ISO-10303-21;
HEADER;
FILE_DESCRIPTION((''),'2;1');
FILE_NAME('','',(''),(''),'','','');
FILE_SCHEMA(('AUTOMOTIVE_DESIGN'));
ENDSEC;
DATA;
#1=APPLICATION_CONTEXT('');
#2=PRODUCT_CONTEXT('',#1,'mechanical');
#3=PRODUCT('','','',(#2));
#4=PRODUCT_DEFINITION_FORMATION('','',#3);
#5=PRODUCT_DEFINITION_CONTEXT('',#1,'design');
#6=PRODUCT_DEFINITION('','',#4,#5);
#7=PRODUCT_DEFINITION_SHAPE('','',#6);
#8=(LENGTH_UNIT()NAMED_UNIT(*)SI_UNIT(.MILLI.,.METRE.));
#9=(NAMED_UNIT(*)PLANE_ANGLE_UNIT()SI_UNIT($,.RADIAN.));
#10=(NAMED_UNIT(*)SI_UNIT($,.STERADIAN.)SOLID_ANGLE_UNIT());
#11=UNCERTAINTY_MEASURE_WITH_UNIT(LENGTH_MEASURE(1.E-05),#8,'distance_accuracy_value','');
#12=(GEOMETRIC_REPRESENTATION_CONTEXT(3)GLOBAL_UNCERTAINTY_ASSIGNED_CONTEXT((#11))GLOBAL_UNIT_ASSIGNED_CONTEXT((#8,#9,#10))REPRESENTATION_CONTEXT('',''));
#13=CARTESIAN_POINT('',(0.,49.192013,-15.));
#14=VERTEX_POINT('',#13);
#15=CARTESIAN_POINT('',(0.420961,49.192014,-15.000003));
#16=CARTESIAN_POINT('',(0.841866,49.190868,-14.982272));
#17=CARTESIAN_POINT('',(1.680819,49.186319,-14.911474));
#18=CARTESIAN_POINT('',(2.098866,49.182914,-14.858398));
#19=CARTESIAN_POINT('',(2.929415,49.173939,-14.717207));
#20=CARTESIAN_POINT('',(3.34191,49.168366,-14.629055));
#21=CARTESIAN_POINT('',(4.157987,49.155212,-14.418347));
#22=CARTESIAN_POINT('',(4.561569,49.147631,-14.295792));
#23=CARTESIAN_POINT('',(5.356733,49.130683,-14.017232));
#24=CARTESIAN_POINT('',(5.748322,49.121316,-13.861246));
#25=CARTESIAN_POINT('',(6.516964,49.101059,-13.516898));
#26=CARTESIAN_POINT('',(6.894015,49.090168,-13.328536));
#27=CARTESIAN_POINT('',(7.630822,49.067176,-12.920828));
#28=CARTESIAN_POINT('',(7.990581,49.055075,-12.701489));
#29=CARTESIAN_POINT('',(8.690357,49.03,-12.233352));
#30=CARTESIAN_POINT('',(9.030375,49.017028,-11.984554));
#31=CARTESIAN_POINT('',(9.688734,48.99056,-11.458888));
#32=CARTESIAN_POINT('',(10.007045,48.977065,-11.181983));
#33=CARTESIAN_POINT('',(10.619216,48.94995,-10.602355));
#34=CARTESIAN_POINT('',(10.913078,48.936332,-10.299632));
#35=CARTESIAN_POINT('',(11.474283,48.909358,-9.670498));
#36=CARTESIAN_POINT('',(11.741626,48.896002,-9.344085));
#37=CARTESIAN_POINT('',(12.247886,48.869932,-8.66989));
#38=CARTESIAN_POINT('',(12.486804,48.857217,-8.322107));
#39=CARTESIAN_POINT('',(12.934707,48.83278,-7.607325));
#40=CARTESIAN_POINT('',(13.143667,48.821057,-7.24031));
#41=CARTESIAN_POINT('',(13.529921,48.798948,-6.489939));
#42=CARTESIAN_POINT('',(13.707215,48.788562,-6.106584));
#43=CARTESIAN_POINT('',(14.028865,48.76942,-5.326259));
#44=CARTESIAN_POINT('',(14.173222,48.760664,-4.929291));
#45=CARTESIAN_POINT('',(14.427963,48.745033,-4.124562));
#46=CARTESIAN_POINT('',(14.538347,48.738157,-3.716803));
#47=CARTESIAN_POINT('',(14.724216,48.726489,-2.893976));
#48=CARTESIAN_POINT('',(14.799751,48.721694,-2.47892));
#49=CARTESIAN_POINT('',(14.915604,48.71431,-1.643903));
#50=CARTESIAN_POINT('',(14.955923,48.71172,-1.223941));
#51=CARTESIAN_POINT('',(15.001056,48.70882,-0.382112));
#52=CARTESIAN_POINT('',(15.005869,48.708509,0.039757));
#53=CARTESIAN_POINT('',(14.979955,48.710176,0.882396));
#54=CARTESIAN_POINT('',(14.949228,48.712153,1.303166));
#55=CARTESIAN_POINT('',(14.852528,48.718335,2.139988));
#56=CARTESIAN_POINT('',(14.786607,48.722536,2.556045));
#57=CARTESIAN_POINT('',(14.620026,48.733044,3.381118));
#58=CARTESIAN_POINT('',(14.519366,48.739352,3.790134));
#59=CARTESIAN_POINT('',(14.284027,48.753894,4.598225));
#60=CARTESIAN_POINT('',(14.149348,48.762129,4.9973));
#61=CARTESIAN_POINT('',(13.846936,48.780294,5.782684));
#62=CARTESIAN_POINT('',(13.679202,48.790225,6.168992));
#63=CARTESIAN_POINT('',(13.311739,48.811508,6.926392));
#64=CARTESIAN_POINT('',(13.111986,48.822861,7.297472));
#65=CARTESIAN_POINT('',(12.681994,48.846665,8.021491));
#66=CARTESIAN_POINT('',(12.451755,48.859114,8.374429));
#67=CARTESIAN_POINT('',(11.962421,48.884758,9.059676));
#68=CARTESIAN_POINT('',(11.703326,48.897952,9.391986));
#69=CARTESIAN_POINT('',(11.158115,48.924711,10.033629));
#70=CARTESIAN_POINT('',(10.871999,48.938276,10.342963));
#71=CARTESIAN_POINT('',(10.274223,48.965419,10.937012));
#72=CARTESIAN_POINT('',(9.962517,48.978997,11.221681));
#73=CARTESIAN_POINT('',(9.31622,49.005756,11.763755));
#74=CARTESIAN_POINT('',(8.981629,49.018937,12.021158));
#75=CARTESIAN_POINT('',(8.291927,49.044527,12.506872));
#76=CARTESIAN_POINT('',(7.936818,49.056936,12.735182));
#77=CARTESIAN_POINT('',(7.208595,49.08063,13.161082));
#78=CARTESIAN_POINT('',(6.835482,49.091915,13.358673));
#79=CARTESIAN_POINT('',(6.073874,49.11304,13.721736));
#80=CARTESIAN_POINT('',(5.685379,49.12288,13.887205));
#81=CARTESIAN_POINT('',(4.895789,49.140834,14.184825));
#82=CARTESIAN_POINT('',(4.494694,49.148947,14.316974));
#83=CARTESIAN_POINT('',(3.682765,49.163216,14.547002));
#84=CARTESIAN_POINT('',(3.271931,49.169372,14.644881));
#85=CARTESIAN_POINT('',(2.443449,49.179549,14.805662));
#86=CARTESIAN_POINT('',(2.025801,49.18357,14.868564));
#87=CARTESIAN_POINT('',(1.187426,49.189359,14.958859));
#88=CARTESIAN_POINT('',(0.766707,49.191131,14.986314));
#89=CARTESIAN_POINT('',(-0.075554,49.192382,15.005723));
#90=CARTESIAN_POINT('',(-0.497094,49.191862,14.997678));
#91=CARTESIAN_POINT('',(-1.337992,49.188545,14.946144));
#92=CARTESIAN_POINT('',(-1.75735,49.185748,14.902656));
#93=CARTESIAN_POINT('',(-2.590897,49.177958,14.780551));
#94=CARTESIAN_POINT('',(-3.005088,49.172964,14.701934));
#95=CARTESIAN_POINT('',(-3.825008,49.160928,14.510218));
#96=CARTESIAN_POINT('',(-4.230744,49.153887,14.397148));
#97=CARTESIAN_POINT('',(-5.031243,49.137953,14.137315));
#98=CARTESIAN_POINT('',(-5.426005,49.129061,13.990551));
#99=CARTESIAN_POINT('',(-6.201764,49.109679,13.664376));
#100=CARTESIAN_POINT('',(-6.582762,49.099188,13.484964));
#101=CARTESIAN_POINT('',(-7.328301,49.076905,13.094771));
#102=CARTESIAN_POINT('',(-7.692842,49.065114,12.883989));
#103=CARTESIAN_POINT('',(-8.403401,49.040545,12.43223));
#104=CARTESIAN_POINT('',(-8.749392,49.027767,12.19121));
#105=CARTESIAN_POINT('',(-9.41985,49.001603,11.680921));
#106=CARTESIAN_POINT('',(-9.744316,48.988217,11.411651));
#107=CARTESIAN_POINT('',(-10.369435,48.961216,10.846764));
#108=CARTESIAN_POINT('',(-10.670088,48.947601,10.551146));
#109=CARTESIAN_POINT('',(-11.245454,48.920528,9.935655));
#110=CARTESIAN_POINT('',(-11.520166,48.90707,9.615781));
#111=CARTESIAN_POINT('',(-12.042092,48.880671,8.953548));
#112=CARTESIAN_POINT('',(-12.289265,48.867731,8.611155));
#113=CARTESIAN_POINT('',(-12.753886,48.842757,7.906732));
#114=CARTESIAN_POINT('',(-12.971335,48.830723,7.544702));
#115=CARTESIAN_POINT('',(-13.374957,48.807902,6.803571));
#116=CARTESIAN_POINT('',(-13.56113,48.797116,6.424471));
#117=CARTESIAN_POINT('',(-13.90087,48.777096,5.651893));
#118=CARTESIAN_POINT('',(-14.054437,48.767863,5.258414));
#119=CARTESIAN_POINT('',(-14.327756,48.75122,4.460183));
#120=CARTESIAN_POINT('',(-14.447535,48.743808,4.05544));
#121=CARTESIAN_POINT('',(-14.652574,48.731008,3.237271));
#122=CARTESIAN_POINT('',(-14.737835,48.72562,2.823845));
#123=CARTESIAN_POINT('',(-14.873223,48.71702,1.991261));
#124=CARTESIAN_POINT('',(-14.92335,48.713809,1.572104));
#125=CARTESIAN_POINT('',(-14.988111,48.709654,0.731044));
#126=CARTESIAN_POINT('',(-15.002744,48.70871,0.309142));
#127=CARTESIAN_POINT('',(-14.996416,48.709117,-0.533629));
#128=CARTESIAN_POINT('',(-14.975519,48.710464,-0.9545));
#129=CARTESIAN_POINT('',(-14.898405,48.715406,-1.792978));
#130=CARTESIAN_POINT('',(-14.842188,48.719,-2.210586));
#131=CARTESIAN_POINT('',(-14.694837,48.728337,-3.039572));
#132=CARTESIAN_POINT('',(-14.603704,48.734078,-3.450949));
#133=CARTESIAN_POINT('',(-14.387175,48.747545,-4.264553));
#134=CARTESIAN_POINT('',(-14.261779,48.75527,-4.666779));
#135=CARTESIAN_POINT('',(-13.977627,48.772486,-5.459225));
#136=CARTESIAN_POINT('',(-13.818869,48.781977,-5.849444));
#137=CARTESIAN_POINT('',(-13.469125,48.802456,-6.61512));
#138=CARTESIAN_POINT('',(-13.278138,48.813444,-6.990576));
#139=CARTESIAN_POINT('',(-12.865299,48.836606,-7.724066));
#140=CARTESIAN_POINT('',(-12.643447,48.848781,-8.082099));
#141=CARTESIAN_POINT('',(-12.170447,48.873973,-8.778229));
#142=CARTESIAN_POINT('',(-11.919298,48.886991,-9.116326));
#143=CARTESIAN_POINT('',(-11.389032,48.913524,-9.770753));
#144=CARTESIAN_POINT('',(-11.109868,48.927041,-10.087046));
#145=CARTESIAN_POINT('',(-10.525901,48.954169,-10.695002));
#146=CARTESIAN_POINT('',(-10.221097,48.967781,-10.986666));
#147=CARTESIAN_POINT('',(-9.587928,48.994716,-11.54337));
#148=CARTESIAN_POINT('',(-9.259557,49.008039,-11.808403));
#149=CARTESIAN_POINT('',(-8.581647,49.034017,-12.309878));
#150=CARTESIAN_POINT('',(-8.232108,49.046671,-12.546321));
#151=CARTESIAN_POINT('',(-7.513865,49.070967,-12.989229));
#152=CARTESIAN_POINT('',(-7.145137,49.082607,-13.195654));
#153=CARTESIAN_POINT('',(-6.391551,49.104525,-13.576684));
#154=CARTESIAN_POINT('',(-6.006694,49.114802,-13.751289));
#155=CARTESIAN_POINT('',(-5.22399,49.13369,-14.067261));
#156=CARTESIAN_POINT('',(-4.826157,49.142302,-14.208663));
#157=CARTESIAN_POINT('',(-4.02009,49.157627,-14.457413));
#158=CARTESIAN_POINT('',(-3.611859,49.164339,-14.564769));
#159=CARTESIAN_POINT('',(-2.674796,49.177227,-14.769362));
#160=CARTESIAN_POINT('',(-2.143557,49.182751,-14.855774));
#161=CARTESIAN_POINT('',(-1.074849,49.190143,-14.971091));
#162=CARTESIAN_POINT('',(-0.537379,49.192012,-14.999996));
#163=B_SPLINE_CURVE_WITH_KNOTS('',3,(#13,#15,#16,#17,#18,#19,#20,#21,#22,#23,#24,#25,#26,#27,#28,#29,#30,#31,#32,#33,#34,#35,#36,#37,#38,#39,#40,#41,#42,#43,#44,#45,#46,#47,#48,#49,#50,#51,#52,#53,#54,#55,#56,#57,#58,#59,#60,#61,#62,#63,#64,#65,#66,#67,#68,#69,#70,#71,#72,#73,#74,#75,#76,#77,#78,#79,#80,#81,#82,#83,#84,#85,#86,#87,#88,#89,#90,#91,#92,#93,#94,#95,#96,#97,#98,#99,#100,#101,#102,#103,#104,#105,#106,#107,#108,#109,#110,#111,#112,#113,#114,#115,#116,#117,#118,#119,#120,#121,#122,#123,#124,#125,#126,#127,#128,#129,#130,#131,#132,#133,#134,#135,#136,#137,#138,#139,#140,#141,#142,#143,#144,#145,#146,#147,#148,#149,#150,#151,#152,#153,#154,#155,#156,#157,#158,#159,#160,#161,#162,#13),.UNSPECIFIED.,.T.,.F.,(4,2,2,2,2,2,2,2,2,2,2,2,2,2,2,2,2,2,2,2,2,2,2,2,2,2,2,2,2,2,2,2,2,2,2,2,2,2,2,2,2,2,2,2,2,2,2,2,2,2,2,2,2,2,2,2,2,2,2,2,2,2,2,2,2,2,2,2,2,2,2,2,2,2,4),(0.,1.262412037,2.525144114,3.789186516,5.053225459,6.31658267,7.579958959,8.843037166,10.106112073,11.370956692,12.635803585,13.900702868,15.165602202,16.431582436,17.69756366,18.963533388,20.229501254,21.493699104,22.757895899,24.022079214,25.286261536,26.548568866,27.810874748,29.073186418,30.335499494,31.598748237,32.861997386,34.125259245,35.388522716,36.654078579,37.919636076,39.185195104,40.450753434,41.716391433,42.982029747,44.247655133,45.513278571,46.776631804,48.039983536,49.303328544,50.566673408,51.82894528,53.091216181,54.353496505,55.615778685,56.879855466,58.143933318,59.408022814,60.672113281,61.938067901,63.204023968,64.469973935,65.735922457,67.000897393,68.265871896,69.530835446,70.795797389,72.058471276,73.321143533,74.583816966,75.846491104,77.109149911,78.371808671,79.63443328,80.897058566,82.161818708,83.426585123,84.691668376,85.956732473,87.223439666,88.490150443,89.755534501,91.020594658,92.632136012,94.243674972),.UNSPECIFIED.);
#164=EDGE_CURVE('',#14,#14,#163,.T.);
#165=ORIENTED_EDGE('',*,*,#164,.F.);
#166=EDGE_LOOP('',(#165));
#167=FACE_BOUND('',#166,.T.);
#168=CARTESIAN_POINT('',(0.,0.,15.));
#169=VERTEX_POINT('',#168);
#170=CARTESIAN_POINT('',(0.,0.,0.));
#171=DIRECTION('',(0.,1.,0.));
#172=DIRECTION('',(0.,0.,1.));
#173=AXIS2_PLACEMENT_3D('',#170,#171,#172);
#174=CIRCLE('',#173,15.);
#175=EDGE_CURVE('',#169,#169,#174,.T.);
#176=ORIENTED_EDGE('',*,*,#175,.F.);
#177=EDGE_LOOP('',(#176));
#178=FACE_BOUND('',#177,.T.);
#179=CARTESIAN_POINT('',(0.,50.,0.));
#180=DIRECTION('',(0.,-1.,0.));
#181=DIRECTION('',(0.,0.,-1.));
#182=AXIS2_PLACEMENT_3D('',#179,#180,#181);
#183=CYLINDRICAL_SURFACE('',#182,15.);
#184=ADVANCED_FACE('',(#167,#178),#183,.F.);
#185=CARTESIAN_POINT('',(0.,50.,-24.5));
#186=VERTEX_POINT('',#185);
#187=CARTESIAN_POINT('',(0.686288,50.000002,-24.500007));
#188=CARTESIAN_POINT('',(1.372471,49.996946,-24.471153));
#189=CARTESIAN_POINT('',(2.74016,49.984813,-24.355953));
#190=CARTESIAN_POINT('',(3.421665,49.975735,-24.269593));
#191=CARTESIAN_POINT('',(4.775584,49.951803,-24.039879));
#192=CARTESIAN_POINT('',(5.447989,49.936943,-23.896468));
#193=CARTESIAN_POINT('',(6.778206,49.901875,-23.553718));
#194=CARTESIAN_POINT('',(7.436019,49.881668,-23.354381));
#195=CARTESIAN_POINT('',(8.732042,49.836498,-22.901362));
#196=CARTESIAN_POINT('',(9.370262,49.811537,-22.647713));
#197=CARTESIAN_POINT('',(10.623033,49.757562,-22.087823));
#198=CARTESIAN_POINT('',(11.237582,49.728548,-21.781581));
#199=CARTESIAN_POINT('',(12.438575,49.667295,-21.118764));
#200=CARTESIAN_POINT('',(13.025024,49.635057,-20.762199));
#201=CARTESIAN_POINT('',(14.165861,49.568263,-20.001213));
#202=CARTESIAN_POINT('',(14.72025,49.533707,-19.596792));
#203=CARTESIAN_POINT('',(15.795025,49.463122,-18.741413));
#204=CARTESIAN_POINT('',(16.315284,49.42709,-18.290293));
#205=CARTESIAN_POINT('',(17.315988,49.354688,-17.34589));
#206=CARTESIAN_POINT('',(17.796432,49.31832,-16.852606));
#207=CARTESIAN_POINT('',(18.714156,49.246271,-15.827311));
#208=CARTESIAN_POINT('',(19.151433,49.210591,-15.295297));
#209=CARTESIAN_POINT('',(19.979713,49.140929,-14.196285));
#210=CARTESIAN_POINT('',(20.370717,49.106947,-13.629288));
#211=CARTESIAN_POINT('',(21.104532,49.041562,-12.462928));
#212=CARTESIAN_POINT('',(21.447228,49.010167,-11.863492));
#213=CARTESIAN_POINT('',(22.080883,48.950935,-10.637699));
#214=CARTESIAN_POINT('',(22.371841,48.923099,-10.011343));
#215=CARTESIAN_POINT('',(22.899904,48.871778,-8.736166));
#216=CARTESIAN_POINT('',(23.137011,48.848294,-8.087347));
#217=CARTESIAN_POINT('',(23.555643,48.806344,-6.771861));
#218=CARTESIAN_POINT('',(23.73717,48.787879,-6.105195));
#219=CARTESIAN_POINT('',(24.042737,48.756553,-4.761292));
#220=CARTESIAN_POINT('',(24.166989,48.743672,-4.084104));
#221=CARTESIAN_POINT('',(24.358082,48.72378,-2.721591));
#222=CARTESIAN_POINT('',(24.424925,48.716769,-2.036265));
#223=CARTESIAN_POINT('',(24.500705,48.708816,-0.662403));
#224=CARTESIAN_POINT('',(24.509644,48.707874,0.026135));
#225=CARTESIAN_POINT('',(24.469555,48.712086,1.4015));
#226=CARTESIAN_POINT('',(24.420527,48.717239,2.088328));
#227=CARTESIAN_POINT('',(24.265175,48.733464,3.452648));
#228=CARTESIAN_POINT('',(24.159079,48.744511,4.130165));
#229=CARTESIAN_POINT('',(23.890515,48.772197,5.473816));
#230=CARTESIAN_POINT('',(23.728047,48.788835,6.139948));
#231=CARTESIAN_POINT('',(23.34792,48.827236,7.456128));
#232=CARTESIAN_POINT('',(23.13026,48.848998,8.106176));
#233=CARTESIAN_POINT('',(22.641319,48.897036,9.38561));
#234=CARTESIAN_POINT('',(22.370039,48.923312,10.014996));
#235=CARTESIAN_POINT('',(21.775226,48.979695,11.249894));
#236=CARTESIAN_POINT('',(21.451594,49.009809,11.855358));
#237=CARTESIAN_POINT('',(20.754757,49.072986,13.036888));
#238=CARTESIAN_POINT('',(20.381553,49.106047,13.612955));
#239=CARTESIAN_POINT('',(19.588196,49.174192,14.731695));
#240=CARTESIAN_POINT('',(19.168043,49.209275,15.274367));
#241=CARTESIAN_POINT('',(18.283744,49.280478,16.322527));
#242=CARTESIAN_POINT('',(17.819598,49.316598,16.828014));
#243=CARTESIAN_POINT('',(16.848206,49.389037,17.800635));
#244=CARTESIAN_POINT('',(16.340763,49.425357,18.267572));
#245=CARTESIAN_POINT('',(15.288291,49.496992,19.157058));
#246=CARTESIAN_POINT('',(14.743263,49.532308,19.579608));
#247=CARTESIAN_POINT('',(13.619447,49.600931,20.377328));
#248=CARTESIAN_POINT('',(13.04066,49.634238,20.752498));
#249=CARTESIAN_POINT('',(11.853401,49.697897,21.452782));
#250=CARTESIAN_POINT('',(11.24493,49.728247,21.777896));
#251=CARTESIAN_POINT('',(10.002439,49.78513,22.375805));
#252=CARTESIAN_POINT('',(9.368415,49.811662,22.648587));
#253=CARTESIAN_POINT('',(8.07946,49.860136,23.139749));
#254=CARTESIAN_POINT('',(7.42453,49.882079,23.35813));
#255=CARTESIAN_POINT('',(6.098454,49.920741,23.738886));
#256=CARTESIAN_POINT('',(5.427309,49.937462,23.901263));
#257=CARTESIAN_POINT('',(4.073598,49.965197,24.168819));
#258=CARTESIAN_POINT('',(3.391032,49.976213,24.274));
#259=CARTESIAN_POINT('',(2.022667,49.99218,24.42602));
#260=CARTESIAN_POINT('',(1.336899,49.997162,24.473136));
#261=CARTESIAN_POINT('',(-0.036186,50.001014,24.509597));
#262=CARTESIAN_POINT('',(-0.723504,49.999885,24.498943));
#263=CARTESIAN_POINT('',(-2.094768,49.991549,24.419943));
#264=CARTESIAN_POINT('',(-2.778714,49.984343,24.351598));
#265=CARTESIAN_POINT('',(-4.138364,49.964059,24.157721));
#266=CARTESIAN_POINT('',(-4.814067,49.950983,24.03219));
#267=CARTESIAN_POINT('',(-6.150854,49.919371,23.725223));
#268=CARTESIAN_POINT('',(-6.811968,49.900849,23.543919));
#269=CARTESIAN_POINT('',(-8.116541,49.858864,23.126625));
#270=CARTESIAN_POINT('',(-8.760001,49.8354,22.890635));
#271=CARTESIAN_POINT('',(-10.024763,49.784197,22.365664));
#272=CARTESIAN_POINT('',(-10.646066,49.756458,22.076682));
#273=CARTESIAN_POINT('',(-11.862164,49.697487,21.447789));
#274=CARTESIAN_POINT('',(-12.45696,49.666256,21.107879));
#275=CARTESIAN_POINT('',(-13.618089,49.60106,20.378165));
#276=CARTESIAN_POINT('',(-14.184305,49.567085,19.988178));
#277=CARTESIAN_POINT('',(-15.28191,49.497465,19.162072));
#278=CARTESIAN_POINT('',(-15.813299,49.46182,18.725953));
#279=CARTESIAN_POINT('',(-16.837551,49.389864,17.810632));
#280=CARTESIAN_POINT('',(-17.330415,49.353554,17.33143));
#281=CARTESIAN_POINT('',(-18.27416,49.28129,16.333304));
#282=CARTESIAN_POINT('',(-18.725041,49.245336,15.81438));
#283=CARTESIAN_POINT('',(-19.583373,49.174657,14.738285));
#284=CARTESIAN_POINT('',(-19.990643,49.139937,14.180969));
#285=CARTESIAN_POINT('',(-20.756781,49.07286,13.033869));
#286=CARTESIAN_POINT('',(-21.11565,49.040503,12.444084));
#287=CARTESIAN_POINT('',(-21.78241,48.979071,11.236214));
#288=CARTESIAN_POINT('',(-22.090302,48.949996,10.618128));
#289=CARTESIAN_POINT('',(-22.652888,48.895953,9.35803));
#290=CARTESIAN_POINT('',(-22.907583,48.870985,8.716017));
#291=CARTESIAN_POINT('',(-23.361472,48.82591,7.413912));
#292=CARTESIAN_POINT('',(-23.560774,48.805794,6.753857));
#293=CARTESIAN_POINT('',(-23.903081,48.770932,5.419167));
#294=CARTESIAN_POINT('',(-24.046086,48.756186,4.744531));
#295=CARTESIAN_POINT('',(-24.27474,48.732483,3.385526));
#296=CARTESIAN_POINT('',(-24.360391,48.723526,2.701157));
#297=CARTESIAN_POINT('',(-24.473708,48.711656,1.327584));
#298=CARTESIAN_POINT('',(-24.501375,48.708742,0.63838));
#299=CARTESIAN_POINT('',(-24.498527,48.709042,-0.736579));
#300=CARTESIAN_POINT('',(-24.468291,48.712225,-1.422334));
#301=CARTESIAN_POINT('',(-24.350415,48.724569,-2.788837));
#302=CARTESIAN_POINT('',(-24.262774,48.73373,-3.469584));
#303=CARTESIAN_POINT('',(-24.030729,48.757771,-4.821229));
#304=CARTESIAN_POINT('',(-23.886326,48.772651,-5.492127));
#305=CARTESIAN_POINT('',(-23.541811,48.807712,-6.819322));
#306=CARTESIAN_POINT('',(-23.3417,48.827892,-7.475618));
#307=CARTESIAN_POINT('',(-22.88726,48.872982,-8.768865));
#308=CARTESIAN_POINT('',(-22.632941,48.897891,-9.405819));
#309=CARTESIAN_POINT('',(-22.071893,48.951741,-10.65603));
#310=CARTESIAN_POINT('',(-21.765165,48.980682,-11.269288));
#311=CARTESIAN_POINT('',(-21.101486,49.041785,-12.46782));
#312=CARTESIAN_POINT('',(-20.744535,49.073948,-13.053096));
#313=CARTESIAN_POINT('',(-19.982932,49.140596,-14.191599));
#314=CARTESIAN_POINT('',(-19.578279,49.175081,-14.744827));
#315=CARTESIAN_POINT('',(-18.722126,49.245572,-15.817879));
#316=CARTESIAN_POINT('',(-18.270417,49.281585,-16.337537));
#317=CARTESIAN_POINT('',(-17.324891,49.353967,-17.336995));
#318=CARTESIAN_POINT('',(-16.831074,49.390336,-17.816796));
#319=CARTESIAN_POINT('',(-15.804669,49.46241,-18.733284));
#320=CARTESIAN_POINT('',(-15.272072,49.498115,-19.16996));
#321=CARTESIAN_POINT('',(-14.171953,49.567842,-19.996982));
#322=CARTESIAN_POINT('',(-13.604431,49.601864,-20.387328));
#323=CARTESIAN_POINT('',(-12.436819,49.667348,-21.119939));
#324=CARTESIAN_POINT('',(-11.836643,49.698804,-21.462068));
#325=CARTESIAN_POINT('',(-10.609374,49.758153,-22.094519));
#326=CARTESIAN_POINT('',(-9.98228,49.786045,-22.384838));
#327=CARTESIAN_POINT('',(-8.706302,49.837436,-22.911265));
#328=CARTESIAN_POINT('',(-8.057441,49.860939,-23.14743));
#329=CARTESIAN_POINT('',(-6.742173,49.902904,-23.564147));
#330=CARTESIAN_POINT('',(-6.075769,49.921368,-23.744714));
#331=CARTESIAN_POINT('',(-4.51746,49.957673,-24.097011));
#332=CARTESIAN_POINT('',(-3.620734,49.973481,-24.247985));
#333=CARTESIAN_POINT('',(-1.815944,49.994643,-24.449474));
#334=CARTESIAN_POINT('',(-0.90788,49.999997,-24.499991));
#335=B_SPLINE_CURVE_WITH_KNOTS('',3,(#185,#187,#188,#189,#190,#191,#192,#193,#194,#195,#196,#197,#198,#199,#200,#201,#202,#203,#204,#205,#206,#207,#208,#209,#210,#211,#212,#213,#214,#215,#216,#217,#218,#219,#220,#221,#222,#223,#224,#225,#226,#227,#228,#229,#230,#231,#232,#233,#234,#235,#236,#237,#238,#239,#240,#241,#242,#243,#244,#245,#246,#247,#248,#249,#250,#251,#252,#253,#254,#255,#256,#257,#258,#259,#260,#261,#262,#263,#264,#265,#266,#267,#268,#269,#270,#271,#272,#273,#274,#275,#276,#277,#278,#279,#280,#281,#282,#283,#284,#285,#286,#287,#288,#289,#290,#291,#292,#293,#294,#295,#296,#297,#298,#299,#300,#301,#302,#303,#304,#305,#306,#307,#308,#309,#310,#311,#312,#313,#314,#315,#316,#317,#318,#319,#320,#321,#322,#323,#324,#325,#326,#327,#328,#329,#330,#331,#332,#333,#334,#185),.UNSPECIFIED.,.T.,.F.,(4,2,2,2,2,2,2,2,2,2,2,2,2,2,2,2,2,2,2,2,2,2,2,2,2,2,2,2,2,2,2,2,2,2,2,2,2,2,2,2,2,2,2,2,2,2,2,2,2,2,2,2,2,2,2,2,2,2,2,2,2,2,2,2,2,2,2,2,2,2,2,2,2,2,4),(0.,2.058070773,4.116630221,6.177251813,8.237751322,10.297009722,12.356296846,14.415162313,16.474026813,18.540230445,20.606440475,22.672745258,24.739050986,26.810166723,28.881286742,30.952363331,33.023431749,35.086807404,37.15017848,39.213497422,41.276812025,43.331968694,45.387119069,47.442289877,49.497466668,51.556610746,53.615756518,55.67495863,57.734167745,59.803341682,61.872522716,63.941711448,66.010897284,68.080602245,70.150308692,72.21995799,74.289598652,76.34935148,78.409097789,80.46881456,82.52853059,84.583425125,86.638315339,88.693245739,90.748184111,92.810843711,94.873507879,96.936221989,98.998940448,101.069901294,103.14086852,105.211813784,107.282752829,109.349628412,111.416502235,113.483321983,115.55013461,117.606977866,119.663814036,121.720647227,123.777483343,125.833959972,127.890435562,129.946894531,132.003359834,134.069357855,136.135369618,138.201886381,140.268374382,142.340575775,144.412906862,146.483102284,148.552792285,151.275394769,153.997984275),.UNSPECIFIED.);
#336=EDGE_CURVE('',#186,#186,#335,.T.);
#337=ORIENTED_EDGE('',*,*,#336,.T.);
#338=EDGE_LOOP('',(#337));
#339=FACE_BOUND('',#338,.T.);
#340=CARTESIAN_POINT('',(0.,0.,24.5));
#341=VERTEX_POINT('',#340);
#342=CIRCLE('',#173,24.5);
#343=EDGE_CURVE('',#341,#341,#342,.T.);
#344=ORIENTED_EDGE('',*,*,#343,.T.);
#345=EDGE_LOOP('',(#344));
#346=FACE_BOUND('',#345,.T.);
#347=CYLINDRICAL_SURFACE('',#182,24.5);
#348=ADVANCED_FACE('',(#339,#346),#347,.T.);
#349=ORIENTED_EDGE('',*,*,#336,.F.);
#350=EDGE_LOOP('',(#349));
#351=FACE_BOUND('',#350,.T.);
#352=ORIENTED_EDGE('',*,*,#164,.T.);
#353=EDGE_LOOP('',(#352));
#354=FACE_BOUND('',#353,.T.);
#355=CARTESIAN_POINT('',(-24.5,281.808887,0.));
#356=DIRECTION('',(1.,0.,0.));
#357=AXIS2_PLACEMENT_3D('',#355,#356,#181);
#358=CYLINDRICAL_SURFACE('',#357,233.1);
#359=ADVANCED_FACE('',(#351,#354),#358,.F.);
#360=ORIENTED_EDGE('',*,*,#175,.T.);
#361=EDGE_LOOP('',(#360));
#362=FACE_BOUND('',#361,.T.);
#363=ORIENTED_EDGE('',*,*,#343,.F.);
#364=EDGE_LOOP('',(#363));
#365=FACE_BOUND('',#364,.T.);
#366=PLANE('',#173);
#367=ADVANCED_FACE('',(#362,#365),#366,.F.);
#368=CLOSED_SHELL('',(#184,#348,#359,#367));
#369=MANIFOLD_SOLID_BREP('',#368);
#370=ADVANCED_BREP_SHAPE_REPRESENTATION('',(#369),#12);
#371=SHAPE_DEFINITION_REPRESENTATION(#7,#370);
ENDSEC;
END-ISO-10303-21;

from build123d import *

# Parameters (mm, degrees)
SKETCH1_R               = 24.5
SKETCH1_R_2             = 15
BOSS_EXTRUDE1_DEPTH     = 50
CUT_EXTRUDE1_DEPTH      = 61.831735139
CUT_EXTRUDE1_DEPTH_BACK = 61.831735139


with BuildPart() as part:
    # Sketch1 → Boss-Extrude1 (new body)
    with BuildSketch(Plane(origin=(0, 0, 0), x_dir=(1, 0, 0), z_dir=(0, 1, 0))):
        with Locations(Location((0, 0, 0), (0, 0, 270))):
            Circle(SKETCH1_R)
        with Locations(Location((0, 0, 0), (0, 0, 270))):
            Circle(SKETCH1_R_2, mode=Mode.SUBTRACT)
    extrude(amount=BOSS_EXTRUDE1_DEPTH)

    # Sketch2 → Cut-Extrude1 (cut, two sides: drawn at the far end of the back side and taken through both)
    with BuildSketch(Plane(origin=(0, 0, 0), x_dir=(0, 0, -1), z_dir=(1, 0, 0)).offset(-CUT_EXTRUDE1_DEPTH_BACK)):
        with BuildLine():
            Line((24.5, 50), (-24.5, 50))
            ThreePointArc((-24.5, 50), (0, 48.708886801), (24.5, 50))
        make_face()
    extrude(amount=CUT_EXTRUDE1_DEPTH + CUT_EXTRUDE1_DEPTH_BACK, mode=Mode.SUBTRACT)


solid = part.part
